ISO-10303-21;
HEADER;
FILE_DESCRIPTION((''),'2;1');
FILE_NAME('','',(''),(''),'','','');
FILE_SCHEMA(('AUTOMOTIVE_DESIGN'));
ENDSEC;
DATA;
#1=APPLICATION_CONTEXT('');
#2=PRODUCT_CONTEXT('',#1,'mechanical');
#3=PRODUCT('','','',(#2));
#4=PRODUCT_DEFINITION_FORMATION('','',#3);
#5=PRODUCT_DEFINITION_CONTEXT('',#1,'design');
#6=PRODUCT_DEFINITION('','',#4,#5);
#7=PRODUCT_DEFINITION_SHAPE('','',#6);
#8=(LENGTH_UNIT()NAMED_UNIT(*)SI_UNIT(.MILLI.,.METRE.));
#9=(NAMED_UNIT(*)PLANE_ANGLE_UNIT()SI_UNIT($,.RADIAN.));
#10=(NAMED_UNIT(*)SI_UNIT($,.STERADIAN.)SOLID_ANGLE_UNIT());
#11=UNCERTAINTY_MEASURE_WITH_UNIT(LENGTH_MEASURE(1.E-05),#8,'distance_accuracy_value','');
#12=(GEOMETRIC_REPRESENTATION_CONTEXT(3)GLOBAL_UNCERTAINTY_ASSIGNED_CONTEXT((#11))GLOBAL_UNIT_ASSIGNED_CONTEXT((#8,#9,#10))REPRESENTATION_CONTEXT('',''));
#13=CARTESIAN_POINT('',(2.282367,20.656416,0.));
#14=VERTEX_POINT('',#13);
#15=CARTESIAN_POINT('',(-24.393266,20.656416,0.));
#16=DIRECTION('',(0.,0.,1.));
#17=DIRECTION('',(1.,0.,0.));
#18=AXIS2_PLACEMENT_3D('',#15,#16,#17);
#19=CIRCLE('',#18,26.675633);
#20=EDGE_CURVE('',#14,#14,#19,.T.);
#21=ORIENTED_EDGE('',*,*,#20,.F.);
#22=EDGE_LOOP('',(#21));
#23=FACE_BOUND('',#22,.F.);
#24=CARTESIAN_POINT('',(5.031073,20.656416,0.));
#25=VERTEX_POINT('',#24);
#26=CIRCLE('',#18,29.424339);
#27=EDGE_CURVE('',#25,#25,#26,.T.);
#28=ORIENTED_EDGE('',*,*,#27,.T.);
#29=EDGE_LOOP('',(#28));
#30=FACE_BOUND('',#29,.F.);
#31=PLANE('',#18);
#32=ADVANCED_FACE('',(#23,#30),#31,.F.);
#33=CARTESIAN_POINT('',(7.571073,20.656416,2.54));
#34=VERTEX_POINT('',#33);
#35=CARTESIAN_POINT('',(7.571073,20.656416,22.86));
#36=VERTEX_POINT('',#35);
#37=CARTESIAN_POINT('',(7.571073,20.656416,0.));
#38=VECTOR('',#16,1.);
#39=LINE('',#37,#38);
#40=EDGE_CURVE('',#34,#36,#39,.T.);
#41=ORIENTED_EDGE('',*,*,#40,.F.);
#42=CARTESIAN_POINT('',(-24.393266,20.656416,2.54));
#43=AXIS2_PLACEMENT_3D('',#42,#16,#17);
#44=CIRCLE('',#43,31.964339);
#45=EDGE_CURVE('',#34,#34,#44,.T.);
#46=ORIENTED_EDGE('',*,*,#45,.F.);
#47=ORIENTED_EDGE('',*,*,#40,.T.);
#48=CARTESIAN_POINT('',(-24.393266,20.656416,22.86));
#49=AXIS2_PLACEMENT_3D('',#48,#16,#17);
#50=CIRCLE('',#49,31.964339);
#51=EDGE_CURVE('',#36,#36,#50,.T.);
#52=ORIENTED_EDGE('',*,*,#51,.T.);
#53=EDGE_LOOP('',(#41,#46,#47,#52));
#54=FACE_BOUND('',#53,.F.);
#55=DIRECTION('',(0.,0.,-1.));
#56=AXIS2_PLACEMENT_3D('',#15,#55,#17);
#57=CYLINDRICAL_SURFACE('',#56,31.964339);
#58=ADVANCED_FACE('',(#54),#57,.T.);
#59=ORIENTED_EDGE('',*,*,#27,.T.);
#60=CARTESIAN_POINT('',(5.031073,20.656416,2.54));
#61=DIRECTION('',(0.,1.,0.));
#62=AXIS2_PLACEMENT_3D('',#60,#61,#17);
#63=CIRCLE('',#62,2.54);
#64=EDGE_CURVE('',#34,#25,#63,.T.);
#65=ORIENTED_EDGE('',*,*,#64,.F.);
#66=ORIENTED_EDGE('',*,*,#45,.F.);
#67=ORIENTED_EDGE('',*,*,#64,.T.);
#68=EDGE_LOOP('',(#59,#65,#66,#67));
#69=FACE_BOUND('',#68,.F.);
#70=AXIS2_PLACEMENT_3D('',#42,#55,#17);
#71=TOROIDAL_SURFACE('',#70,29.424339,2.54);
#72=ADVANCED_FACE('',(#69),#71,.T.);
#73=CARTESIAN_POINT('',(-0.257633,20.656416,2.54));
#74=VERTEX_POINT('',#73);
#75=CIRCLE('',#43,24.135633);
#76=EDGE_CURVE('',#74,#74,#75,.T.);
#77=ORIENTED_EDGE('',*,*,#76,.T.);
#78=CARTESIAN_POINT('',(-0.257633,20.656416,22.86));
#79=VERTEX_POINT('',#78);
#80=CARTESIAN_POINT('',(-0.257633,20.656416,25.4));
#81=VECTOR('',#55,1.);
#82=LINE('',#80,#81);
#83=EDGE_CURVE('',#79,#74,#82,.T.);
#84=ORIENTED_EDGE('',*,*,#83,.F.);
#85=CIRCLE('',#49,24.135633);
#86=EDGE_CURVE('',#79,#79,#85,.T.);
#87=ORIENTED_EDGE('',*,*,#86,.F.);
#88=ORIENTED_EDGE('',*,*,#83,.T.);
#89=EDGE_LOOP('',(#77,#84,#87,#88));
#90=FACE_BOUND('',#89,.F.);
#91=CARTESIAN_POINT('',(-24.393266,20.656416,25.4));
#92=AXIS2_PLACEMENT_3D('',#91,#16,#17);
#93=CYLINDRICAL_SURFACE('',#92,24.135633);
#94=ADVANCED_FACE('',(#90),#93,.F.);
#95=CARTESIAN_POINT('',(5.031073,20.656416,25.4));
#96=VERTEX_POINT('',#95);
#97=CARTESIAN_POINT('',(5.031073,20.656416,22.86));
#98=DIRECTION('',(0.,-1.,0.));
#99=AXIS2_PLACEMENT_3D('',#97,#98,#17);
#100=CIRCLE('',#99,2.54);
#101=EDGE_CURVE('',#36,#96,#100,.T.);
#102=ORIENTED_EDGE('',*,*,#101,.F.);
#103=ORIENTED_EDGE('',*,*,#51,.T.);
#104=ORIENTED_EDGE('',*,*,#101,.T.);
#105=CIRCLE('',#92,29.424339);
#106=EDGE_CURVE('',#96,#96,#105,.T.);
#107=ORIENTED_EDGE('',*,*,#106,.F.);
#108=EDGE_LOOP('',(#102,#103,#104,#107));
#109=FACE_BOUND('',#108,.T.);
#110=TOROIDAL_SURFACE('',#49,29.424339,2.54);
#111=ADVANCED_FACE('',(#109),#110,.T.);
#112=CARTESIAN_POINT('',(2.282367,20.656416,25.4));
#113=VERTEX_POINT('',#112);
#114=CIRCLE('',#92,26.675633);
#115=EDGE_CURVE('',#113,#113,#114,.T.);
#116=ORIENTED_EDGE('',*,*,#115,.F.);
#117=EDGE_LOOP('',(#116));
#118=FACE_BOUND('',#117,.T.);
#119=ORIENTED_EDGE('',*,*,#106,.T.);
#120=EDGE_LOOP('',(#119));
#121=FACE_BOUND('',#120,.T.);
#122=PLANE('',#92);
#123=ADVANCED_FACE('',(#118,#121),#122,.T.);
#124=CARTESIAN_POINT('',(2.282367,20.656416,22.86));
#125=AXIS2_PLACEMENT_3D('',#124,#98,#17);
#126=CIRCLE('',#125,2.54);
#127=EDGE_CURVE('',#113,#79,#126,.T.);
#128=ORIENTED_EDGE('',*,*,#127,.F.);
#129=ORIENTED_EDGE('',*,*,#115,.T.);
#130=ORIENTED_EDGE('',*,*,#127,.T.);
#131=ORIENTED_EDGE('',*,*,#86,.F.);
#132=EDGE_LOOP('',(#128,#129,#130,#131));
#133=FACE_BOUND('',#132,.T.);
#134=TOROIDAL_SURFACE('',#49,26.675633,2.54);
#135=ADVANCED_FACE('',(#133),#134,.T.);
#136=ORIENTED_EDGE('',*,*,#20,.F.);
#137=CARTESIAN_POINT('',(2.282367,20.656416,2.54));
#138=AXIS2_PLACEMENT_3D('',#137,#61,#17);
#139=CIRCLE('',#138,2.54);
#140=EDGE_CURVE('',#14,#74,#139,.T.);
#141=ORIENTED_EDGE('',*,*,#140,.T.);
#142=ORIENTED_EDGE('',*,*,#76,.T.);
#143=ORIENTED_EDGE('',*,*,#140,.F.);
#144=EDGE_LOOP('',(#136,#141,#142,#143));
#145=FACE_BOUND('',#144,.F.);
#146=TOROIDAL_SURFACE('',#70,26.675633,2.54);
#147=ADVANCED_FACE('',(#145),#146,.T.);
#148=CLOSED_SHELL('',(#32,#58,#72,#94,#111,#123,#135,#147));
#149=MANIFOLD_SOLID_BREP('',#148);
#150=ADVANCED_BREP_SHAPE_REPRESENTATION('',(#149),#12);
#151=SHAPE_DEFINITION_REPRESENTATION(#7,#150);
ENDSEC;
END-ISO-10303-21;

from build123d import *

# Parameters (mm, degrees)
F0_R     = 31.964339
F1_DEPTH = 25.4
F2_R     = 24.135633
F3_DEPTH = 25.401
F4_R     = 2.54


with BuildPart() as f1:
    # F0 (on Top) → F1 (new body)
    with BuildSketch(Plane.XY):
        with Locations((-24.393266, 20.656416)):
            Circle(F0_R)
    extrude(amount=F1_DEPTH)

    # F2 (on face) → F3 (cut, through all)
    with BuildSketch(Plane.XY.offset(25.4)):
        with Locations((-24.393266, 20.656416)):
            Circle(F2_R)
    extrude(amount=-F3_DEPTH, mode=Mode.SUBTRACT)

    # F4
    f4_edges = [f1.edges().sort_by_distance(p)[0] for p in [
        (-56.357605, 20.656416, 25.4),
        (-56.357605, 20.656416, 0),
        (7.571073, 20.656416, 12.7),
        (-48.528899, 20.656416, 25.4),
        (-48.528899, 20.656416, 0),
    ]]
    fillet(f4_edges, radius=F4_R)


solid = f1.part
